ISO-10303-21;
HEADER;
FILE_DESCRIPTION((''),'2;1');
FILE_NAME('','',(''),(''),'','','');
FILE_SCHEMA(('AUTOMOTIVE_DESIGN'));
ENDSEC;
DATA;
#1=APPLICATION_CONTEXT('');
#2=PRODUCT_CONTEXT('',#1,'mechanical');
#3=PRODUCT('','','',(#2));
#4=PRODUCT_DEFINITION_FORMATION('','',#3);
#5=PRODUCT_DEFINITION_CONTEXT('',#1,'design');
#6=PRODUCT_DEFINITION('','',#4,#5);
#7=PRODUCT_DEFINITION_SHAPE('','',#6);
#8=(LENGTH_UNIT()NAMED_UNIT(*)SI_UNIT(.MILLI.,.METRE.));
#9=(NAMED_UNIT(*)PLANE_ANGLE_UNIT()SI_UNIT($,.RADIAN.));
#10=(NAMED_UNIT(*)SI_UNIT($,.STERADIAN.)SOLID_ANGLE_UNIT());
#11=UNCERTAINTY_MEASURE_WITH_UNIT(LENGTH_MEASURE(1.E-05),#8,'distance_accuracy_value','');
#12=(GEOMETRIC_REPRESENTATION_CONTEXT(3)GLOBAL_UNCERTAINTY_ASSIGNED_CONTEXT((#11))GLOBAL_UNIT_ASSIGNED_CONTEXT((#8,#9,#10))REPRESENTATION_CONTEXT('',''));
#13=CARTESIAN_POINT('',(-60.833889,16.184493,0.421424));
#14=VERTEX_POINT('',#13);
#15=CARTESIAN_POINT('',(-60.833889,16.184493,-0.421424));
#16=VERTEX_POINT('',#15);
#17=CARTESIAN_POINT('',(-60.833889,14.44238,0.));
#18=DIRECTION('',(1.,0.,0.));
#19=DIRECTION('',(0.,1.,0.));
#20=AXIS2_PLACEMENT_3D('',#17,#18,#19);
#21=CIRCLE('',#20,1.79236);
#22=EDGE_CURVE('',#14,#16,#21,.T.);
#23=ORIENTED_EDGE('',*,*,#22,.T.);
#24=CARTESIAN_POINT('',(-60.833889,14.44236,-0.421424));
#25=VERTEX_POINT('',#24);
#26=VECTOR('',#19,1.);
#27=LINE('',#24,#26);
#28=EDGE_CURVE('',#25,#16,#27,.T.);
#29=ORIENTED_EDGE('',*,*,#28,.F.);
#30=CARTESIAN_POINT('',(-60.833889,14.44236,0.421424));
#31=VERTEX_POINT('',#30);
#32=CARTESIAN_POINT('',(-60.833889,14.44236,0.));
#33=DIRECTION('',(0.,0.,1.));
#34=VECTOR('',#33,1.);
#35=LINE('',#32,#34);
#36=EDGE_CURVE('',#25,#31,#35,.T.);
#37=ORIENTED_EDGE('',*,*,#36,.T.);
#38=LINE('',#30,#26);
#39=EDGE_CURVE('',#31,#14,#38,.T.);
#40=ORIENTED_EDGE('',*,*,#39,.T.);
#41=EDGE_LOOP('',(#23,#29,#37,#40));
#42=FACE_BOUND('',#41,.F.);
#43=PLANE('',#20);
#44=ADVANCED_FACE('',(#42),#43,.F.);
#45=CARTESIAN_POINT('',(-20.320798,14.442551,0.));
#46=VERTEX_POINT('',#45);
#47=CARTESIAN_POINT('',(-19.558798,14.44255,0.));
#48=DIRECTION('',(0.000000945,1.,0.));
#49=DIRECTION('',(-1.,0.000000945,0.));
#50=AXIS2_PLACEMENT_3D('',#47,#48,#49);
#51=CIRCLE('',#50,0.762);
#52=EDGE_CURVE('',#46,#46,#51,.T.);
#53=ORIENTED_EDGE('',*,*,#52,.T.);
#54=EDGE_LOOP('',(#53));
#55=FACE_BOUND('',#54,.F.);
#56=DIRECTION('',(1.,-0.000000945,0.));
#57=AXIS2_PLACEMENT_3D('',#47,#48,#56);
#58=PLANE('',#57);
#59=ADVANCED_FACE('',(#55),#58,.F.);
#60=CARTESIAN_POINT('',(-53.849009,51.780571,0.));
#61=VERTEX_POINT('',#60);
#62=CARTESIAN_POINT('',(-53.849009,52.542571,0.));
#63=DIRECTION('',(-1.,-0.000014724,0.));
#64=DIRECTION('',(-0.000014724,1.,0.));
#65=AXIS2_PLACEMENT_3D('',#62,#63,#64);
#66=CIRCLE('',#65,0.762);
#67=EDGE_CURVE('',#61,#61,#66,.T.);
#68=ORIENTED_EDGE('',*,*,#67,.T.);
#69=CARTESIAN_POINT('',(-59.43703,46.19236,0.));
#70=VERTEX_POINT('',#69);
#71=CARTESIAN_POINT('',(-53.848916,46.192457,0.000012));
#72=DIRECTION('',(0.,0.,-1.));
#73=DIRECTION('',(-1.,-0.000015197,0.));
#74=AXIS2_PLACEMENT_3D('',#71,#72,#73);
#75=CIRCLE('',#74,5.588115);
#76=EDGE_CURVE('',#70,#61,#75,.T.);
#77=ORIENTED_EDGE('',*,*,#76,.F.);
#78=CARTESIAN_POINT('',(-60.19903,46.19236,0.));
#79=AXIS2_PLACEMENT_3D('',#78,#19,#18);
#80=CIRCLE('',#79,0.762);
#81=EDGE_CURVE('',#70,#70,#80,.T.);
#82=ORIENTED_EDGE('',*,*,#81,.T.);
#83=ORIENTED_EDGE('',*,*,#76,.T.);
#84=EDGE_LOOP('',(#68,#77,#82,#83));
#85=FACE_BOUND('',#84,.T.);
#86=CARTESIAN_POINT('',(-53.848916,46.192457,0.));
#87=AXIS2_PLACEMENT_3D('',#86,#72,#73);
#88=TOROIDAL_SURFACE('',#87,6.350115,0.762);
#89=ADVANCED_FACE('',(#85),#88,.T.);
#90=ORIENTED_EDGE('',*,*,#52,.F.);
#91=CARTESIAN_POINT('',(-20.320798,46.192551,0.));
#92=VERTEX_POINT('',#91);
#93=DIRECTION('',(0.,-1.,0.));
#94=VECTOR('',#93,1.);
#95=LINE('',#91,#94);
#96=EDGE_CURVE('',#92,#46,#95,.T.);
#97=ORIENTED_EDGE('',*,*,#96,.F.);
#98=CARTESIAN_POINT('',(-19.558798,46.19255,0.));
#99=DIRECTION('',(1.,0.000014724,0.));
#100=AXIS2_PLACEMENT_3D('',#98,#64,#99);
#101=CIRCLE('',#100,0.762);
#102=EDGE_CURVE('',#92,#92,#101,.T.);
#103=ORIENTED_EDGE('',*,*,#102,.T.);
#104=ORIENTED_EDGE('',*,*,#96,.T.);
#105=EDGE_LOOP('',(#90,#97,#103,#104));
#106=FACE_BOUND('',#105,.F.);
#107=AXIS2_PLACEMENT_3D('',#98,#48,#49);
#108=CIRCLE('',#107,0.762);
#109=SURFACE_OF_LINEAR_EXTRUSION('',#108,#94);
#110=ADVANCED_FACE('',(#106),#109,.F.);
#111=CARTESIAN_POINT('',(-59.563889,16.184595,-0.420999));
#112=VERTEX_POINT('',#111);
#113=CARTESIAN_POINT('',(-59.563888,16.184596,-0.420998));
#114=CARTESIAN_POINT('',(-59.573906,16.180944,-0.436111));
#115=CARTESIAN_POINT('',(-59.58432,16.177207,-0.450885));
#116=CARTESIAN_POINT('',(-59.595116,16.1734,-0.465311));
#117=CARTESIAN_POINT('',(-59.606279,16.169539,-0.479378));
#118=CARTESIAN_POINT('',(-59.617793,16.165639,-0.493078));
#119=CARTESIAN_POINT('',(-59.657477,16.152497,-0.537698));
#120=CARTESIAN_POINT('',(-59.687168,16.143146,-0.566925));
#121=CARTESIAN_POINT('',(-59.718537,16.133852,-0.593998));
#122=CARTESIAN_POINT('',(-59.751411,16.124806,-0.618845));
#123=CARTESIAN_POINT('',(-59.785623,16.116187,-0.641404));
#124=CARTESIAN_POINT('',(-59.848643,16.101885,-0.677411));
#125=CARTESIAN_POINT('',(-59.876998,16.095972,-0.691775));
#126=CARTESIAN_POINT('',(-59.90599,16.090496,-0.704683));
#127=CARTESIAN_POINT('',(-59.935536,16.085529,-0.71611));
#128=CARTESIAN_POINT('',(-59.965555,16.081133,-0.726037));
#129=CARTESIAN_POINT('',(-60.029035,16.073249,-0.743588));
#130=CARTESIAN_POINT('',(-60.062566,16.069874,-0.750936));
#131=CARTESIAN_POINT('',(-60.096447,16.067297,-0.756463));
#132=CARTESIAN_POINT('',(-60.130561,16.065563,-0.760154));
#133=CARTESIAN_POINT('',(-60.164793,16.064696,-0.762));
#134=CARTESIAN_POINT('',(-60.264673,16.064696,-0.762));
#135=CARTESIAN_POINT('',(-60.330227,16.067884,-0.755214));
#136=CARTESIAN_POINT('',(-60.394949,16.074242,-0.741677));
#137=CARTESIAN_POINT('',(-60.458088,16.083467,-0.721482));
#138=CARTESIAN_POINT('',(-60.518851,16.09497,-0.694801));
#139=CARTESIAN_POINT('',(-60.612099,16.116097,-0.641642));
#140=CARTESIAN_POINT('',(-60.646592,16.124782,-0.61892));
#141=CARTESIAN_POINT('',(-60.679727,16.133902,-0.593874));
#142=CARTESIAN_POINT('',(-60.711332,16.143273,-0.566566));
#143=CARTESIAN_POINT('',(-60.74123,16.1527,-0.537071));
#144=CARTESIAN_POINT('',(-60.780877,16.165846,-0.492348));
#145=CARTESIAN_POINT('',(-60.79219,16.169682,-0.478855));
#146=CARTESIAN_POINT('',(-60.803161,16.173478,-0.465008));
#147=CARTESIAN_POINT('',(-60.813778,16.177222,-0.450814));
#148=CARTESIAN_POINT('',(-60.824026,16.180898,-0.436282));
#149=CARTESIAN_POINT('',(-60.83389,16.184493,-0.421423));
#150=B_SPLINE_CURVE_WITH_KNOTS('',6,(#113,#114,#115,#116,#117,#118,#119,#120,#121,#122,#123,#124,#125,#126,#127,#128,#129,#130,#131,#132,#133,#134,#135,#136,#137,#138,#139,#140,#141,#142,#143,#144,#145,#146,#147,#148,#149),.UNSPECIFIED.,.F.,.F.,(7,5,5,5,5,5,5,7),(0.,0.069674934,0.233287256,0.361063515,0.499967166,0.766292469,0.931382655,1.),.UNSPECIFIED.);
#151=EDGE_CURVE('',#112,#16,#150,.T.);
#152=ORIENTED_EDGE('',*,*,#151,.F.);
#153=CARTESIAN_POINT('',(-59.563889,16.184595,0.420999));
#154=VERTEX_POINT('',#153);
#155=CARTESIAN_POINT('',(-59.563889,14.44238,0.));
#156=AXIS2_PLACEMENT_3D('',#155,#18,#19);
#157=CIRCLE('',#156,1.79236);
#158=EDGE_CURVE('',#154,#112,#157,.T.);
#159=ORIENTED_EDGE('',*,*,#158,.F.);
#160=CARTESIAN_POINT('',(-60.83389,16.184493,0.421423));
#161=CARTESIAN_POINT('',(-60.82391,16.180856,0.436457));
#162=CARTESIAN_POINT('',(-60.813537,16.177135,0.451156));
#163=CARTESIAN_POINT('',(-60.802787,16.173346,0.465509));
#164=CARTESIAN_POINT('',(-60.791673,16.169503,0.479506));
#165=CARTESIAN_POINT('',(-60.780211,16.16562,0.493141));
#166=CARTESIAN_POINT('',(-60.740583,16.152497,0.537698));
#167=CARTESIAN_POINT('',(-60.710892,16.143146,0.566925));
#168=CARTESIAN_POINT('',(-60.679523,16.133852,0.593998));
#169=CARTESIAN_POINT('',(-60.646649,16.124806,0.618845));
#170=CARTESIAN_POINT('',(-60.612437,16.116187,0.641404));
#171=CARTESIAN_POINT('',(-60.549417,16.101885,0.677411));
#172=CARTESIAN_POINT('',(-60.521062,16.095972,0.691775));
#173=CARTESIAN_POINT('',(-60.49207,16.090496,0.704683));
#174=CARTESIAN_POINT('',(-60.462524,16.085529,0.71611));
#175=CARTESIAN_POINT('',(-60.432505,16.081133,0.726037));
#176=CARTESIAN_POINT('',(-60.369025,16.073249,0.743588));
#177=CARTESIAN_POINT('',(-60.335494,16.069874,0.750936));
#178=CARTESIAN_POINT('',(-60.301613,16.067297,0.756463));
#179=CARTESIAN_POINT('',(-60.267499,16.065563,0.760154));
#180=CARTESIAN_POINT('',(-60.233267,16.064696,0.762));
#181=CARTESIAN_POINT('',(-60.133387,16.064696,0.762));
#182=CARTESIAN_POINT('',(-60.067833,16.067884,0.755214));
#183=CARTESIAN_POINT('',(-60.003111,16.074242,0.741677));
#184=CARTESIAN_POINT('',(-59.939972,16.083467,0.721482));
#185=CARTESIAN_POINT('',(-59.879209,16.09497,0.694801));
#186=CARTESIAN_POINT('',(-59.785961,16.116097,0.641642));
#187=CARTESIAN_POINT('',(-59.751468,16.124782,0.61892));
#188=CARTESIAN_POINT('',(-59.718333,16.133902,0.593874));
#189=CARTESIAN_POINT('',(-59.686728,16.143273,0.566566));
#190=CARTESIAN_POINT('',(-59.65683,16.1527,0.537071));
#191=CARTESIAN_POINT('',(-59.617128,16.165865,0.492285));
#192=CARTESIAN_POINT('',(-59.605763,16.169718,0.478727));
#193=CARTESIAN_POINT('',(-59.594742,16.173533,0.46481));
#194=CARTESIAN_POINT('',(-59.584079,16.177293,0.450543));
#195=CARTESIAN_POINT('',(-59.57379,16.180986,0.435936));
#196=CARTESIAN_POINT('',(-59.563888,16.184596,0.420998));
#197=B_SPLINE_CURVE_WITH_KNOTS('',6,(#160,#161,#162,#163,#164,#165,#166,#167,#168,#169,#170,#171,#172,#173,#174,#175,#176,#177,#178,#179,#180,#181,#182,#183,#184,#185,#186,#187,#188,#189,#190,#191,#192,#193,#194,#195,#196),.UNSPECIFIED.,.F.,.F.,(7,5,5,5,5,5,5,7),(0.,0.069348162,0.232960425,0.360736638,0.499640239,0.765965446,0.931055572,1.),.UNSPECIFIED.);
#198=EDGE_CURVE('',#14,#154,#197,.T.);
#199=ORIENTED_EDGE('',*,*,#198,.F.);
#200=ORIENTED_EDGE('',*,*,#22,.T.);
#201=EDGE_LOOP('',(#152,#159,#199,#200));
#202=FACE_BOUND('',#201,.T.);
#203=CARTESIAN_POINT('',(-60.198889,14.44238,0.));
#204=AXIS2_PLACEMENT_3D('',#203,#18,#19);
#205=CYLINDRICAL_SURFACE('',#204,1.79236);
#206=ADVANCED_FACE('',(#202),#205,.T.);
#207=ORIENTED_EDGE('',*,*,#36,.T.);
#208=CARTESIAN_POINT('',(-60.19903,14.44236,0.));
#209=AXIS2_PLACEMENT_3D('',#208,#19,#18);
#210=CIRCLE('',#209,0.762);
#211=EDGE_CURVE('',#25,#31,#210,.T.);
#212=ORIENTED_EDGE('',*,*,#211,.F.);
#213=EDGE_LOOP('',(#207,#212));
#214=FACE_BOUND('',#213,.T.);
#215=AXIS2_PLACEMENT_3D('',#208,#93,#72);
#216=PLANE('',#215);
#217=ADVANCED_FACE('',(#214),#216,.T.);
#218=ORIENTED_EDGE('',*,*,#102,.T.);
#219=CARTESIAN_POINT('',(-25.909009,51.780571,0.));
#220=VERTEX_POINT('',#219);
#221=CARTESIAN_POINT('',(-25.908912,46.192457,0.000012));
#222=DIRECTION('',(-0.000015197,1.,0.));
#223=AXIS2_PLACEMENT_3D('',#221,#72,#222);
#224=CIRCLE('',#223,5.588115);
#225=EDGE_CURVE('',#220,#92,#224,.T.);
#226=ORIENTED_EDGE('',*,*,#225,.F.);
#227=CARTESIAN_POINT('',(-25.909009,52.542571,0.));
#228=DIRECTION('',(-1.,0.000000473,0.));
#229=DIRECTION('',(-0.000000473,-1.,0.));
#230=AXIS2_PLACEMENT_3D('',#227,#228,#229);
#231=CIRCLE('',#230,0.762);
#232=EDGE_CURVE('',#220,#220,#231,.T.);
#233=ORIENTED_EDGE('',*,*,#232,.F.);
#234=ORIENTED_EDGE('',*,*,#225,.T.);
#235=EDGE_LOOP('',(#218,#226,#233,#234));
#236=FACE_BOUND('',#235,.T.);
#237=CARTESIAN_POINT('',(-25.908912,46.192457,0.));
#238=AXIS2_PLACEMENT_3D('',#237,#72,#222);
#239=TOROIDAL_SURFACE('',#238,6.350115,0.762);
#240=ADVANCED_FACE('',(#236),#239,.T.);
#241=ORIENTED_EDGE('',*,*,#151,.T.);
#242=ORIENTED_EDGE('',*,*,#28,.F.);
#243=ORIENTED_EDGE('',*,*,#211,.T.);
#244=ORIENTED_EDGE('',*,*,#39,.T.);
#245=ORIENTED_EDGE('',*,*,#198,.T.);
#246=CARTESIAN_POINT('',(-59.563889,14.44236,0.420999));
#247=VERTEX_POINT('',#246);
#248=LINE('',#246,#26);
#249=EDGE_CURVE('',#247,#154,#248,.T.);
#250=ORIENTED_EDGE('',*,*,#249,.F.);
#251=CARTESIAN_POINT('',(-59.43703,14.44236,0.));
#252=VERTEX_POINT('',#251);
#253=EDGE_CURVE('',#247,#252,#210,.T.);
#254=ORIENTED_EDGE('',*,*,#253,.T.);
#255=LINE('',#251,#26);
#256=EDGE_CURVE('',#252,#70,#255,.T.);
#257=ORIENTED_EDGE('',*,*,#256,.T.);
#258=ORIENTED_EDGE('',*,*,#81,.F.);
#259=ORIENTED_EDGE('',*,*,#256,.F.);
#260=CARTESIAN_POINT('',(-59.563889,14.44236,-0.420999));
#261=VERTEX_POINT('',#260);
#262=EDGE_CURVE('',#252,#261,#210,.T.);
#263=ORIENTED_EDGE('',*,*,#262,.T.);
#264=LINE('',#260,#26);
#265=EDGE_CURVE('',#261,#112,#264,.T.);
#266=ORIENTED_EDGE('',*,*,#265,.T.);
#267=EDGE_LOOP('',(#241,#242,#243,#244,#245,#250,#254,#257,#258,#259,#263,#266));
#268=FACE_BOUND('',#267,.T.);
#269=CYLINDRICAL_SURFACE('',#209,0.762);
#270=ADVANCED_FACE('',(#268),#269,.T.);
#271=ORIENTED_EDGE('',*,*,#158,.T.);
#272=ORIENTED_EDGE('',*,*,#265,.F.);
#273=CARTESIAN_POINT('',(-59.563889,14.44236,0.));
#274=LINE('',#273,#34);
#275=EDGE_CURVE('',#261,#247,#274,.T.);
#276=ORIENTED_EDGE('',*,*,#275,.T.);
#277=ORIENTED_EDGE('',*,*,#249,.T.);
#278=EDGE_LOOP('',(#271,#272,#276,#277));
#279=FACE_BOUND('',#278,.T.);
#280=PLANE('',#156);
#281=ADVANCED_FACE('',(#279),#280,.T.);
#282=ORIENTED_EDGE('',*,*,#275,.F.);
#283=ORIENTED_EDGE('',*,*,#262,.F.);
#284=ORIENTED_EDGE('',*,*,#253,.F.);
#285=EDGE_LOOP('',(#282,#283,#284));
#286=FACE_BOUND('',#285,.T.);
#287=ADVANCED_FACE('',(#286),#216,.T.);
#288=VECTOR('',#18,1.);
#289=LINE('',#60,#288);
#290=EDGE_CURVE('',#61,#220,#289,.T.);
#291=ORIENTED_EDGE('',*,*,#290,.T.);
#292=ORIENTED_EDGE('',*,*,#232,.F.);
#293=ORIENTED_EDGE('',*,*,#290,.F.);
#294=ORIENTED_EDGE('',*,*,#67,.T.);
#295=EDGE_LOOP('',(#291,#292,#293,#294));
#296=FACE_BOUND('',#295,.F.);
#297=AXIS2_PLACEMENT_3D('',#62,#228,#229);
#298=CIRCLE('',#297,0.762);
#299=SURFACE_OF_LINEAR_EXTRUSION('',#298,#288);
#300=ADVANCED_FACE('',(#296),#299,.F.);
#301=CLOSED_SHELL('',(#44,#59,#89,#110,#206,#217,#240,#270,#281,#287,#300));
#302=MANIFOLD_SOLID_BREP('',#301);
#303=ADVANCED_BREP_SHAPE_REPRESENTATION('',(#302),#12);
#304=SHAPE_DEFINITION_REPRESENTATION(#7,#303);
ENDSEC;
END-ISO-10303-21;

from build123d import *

# Parameters (mm, degrees)
F3_R     = 0.762
F6_R     = 1.79236
F7_DEPTH = 0.635


with BuildPart() as f4:
    # F4: sweep along a path in F0
    with BuildLine(Plane.XY) as f4_path:
        Line((-60.198914, 14.442455), (-60.198914, 46.192455))
        ThreePointArc((-60.198914, 46.192455), (-58.339042, 50.682584), (-53.848914, 52.542455))
        Line((-53.848914, 52.542455), (-25.908914, 52.542455))
        ThreePointArc((-25.908914, 52.542455), (-21.418786, 50.682584), (-19.558914, 46.192455))
        Line((-19.558914, 46.192455), (-19.558914, 14.442455))
    # F3 (on offset) → F4 (sweep)
    with BuildSketch(Plane.XZ.offset(-14.44236)):
        with Locations((-60.19903, 0)):
            Circle(F3_R)
    sweep(path=f4_path.line)

    # F6 (on offset) → F7 (join, symmetric)
    with BuildSketch(Plane.YZ.offset(-60.198889)):
        with Locations((14.44238, 0)):
            Circle(F6_R)
    extrude(amount=F7_DEPTH, both=True)


solid = f4.part
